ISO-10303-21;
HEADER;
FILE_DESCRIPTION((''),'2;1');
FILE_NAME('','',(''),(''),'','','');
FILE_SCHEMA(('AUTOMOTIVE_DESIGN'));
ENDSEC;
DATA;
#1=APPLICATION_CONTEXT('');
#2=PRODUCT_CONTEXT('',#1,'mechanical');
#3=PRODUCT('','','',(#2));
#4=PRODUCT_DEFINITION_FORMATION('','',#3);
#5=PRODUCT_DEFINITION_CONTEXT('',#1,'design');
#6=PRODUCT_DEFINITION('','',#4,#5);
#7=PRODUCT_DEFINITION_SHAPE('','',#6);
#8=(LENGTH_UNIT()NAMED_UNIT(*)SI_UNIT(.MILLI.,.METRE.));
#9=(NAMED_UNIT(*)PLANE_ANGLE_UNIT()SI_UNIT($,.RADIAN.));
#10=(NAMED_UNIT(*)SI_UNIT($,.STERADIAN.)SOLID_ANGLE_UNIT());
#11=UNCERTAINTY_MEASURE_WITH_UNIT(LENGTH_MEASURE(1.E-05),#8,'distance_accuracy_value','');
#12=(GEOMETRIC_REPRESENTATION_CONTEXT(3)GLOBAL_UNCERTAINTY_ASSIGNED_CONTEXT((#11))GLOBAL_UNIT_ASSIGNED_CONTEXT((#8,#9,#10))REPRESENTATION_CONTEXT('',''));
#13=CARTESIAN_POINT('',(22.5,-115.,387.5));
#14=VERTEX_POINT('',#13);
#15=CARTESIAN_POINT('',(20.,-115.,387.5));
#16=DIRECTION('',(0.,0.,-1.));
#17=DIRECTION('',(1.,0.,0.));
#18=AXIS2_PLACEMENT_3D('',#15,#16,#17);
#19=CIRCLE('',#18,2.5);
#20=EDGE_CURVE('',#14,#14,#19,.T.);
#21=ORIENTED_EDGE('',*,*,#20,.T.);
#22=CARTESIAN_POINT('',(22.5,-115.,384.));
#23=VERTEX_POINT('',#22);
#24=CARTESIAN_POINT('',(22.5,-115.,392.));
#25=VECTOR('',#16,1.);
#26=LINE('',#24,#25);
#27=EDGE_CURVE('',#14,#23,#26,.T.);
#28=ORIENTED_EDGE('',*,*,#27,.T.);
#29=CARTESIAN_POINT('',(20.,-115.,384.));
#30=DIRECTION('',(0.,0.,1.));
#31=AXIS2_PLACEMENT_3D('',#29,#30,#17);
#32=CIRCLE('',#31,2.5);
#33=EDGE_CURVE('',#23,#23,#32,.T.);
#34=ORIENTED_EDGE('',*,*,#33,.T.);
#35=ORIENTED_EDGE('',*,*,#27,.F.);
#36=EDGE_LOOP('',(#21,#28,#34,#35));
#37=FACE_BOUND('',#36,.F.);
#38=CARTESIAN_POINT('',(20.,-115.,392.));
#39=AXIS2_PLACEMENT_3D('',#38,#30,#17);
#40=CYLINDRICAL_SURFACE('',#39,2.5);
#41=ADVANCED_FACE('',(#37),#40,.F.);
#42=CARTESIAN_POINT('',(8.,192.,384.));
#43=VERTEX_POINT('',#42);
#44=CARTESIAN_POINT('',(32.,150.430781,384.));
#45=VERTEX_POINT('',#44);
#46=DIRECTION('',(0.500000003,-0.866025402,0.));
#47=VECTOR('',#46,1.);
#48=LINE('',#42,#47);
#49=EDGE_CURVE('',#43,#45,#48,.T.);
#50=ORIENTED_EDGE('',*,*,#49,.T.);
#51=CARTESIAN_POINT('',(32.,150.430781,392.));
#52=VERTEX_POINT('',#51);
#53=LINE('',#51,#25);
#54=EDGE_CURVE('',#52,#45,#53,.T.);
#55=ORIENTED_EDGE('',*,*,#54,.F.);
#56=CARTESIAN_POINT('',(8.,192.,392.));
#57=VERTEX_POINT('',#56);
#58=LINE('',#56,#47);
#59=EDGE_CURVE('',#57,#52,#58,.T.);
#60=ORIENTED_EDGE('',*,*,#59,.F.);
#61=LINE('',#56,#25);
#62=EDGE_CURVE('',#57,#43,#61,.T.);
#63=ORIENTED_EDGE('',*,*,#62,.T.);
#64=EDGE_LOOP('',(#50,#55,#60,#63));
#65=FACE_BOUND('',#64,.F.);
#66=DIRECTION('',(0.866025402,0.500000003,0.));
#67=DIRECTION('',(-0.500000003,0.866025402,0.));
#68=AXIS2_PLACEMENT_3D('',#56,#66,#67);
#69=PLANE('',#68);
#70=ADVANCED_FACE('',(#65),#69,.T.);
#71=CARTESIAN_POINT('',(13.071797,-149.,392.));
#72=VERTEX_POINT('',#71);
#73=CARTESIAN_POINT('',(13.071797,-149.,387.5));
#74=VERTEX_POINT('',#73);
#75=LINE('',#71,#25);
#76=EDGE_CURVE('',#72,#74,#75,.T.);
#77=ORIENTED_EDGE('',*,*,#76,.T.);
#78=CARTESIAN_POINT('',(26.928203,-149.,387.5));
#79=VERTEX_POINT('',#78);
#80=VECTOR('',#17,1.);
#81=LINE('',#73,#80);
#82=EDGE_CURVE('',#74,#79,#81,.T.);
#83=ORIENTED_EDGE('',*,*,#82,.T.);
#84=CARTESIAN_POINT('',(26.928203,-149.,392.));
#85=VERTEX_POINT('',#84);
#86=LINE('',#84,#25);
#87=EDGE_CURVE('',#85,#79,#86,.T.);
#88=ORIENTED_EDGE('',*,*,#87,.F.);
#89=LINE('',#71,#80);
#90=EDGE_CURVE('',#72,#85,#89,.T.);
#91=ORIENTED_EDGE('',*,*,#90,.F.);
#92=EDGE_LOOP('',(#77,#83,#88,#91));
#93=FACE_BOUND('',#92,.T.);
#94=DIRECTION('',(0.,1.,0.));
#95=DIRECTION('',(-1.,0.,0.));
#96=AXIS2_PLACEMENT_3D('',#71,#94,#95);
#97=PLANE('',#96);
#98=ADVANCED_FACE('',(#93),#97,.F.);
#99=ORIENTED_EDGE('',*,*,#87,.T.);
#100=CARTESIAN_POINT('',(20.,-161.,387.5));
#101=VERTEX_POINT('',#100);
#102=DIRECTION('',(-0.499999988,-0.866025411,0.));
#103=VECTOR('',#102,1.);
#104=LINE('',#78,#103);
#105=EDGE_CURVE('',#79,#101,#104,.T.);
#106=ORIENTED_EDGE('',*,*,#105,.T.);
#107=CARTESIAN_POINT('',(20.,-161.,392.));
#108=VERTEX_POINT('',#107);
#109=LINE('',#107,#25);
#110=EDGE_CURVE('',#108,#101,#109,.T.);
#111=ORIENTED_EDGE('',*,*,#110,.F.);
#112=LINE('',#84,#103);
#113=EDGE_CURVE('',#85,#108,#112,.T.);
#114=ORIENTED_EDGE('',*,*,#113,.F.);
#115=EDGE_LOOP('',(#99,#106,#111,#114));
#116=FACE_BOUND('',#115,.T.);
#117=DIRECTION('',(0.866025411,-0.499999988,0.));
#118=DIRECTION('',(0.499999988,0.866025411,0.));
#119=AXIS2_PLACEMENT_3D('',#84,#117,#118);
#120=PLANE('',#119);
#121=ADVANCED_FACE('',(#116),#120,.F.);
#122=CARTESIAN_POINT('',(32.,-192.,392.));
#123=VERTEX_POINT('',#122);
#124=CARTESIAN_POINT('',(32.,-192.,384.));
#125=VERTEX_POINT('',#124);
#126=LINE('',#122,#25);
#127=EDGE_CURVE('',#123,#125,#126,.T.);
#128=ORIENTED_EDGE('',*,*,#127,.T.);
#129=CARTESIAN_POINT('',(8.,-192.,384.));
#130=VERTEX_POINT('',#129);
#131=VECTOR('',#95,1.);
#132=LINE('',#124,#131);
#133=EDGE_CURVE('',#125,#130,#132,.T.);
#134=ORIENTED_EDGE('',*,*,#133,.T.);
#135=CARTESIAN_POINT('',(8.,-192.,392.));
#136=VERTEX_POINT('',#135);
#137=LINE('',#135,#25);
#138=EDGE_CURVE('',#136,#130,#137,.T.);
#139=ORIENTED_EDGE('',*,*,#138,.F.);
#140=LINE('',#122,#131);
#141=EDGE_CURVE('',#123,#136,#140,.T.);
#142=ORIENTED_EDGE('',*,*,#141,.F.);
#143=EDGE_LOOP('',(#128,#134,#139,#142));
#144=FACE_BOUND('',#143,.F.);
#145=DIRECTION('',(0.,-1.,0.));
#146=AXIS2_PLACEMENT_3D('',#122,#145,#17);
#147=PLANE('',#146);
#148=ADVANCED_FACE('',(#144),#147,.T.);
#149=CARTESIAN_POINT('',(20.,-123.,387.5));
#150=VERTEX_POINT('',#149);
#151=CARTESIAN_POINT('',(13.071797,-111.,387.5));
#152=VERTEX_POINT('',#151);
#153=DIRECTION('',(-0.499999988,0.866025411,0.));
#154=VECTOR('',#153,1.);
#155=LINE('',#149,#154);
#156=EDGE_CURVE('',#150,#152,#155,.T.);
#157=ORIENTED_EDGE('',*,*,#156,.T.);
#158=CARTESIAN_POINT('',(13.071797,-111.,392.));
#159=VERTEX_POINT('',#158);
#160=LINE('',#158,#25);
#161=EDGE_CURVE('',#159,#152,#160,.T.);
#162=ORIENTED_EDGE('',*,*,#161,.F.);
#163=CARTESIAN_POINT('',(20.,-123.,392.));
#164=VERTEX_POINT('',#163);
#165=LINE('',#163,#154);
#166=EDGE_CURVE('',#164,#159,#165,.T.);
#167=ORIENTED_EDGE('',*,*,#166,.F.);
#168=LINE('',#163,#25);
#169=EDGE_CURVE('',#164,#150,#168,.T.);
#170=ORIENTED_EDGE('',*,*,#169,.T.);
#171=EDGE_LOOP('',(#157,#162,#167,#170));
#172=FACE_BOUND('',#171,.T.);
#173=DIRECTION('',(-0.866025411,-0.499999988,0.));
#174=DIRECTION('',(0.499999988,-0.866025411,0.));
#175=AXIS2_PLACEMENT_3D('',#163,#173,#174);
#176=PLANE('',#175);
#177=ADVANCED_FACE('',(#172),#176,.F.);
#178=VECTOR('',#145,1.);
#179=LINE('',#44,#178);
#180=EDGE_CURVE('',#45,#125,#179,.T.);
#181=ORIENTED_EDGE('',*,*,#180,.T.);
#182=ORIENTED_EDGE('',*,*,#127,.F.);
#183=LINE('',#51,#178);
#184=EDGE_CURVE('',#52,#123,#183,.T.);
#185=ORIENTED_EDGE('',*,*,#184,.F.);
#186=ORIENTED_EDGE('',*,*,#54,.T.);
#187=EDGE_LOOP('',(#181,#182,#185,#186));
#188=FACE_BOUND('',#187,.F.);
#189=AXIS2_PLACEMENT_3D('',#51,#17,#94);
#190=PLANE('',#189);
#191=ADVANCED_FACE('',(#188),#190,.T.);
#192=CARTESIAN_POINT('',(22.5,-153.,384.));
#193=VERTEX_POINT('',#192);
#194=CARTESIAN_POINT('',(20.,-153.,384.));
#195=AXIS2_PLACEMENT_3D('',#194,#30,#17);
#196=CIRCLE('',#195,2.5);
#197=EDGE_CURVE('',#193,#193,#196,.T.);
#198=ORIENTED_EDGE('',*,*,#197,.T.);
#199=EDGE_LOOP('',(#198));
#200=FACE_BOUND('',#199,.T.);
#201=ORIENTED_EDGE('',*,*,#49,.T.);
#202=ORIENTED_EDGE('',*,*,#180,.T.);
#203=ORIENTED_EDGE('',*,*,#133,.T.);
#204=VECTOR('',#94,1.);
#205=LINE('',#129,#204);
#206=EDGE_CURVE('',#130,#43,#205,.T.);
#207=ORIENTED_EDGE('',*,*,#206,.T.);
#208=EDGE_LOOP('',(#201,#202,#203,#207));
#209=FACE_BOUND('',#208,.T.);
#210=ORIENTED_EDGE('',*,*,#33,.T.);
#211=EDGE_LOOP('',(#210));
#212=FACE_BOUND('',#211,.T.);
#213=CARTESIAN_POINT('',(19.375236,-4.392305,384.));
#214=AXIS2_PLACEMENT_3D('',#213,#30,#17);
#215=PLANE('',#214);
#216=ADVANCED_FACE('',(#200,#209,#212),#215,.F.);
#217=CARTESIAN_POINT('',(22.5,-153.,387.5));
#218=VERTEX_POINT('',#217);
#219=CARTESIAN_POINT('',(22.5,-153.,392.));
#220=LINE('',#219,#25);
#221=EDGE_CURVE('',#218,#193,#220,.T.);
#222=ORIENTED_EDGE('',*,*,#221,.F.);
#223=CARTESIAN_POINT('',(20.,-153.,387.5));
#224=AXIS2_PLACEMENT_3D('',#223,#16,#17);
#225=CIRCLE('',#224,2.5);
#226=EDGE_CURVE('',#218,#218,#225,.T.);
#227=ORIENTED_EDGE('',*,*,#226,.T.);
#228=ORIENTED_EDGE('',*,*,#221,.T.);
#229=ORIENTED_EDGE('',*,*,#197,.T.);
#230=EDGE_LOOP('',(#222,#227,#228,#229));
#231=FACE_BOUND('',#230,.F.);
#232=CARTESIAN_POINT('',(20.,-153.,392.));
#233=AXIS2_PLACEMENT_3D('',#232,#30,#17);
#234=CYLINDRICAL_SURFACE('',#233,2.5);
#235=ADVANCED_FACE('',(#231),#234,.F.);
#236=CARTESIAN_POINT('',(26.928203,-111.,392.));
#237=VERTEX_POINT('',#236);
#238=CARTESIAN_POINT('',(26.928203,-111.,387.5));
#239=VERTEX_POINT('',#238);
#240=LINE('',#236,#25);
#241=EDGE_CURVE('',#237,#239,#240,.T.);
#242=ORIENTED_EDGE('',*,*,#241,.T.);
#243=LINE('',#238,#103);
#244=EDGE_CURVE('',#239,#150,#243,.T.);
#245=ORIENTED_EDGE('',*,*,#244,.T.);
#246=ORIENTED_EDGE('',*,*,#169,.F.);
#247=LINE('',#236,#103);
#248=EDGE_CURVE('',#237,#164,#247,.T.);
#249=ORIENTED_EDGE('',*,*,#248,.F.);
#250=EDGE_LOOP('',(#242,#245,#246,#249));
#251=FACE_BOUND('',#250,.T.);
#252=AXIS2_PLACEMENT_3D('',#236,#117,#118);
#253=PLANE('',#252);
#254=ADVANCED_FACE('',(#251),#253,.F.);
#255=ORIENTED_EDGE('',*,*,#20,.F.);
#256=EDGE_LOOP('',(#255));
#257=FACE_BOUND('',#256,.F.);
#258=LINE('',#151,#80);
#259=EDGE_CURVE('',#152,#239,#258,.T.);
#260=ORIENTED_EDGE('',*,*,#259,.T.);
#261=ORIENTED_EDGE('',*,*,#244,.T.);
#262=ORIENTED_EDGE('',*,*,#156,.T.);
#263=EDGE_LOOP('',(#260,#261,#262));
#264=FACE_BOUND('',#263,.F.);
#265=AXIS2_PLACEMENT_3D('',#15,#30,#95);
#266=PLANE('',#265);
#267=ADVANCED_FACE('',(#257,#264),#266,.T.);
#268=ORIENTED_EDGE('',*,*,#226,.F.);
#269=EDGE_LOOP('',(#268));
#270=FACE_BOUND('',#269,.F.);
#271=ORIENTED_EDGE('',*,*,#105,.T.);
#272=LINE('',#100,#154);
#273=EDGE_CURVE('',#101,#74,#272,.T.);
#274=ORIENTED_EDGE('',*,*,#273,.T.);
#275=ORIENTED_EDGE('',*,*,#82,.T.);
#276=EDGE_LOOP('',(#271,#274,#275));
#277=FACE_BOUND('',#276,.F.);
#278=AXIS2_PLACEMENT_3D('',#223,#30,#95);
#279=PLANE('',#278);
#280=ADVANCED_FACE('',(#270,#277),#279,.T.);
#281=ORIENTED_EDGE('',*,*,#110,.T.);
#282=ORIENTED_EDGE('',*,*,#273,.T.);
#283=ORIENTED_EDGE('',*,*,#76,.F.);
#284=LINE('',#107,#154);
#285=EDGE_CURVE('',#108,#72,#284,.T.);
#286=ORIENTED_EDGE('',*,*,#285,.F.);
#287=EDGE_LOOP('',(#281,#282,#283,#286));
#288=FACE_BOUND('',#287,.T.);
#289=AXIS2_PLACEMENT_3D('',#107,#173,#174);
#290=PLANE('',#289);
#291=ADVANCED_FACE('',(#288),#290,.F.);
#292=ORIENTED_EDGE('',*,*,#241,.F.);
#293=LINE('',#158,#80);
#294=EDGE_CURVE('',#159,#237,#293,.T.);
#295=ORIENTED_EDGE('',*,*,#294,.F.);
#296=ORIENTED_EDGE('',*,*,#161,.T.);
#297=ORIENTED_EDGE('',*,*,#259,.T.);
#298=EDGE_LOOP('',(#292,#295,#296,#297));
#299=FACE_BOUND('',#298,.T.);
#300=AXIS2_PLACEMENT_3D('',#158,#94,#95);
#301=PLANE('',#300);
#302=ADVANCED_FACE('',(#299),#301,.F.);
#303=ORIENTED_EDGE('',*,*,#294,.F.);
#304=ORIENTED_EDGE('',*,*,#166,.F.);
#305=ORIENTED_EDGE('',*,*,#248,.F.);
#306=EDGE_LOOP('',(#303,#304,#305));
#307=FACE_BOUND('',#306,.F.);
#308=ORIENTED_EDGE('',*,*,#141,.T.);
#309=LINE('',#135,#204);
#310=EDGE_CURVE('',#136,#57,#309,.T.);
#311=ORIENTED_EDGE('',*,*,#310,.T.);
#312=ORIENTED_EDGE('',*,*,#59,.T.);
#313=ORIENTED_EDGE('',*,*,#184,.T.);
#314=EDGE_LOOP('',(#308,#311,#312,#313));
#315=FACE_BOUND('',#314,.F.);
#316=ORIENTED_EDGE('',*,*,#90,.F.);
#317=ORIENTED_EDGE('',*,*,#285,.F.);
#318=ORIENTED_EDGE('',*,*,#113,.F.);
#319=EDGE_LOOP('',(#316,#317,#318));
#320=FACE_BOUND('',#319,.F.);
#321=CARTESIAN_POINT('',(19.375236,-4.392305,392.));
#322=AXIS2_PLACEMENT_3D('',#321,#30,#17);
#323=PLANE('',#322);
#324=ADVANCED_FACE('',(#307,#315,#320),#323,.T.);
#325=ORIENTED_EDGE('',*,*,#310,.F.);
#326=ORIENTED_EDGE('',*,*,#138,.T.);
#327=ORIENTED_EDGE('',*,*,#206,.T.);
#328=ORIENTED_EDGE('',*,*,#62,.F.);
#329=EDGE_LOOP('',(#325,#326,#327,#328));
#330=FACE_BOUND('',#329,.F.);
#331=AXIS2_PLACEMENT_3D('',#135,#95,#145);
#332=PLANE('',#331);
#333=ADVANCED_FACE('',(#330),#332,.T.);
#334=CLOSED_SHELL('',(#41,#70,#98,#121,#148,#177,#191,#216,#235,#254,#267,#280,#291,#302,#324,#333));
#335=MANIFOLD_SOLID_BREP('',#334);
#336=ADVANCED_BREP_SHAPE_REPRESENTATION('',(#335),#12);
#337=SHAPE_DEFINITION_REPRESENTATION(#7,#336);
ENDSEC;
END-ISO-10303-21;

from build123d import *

# Parameters (mm, degrees)
SKETCH019_R            = 2.5
PAD013_DEPTH           = 8
POCKET_DEPTH           = 4.5
LINEARPATTERN001_COUNT = 2
LINEARPATTERN001_PITCH = 38


with BuildPart() as linearpattern001:
    # Sketch019 → Pad013 (new body)
    with BuildSketch(Plane.XY.offset(8)):
        Polygon((8, 192), (32, 150.430781), (32, -192), (8, -192), align=None)
        with Locations((20, -115)):
            Circle(SKETCH019_R, mode=Mode.SUBTRACT)
        with Locations((20, -153)):
            Circle(SKETCH019_R, mode=Mode.SUBTRACT)
    extrude(amount=PAD013_DEPTH)

    # Sketch021 → Pocket (cut)
    with BuildSketch(Plane(origin=(0, 0, 8), x_dir=(1, 0, 0), z_dir=(0, 0, -1))):
        Polygon((20, 123), (13.071797, 111), (26.928203, 111), align=None)
    pocket = extrude(amount=-POCKET_DEPTH, mode=Mode.SUBTRACT)

    # LinearPattern001: Pocket ×2
    with Locations(*[(0, -i * LINEARPATTERN001_PITCH, 0) for i in range(1, LINEARPATTERN001_COUNT)]):
        add(pocket, mode=Mode.SUBTRACT)


with BuildPart() as part_mirroring003:
    # Part__Mirroring003: instance of LinearPattern001
    add(linearpattern001.part.mirror(Plane(origin=(0, 0, 200), x_dir=(0, 1, 0), z_dir=(0, 0, 1))))


solid = part_mirroring003.part
